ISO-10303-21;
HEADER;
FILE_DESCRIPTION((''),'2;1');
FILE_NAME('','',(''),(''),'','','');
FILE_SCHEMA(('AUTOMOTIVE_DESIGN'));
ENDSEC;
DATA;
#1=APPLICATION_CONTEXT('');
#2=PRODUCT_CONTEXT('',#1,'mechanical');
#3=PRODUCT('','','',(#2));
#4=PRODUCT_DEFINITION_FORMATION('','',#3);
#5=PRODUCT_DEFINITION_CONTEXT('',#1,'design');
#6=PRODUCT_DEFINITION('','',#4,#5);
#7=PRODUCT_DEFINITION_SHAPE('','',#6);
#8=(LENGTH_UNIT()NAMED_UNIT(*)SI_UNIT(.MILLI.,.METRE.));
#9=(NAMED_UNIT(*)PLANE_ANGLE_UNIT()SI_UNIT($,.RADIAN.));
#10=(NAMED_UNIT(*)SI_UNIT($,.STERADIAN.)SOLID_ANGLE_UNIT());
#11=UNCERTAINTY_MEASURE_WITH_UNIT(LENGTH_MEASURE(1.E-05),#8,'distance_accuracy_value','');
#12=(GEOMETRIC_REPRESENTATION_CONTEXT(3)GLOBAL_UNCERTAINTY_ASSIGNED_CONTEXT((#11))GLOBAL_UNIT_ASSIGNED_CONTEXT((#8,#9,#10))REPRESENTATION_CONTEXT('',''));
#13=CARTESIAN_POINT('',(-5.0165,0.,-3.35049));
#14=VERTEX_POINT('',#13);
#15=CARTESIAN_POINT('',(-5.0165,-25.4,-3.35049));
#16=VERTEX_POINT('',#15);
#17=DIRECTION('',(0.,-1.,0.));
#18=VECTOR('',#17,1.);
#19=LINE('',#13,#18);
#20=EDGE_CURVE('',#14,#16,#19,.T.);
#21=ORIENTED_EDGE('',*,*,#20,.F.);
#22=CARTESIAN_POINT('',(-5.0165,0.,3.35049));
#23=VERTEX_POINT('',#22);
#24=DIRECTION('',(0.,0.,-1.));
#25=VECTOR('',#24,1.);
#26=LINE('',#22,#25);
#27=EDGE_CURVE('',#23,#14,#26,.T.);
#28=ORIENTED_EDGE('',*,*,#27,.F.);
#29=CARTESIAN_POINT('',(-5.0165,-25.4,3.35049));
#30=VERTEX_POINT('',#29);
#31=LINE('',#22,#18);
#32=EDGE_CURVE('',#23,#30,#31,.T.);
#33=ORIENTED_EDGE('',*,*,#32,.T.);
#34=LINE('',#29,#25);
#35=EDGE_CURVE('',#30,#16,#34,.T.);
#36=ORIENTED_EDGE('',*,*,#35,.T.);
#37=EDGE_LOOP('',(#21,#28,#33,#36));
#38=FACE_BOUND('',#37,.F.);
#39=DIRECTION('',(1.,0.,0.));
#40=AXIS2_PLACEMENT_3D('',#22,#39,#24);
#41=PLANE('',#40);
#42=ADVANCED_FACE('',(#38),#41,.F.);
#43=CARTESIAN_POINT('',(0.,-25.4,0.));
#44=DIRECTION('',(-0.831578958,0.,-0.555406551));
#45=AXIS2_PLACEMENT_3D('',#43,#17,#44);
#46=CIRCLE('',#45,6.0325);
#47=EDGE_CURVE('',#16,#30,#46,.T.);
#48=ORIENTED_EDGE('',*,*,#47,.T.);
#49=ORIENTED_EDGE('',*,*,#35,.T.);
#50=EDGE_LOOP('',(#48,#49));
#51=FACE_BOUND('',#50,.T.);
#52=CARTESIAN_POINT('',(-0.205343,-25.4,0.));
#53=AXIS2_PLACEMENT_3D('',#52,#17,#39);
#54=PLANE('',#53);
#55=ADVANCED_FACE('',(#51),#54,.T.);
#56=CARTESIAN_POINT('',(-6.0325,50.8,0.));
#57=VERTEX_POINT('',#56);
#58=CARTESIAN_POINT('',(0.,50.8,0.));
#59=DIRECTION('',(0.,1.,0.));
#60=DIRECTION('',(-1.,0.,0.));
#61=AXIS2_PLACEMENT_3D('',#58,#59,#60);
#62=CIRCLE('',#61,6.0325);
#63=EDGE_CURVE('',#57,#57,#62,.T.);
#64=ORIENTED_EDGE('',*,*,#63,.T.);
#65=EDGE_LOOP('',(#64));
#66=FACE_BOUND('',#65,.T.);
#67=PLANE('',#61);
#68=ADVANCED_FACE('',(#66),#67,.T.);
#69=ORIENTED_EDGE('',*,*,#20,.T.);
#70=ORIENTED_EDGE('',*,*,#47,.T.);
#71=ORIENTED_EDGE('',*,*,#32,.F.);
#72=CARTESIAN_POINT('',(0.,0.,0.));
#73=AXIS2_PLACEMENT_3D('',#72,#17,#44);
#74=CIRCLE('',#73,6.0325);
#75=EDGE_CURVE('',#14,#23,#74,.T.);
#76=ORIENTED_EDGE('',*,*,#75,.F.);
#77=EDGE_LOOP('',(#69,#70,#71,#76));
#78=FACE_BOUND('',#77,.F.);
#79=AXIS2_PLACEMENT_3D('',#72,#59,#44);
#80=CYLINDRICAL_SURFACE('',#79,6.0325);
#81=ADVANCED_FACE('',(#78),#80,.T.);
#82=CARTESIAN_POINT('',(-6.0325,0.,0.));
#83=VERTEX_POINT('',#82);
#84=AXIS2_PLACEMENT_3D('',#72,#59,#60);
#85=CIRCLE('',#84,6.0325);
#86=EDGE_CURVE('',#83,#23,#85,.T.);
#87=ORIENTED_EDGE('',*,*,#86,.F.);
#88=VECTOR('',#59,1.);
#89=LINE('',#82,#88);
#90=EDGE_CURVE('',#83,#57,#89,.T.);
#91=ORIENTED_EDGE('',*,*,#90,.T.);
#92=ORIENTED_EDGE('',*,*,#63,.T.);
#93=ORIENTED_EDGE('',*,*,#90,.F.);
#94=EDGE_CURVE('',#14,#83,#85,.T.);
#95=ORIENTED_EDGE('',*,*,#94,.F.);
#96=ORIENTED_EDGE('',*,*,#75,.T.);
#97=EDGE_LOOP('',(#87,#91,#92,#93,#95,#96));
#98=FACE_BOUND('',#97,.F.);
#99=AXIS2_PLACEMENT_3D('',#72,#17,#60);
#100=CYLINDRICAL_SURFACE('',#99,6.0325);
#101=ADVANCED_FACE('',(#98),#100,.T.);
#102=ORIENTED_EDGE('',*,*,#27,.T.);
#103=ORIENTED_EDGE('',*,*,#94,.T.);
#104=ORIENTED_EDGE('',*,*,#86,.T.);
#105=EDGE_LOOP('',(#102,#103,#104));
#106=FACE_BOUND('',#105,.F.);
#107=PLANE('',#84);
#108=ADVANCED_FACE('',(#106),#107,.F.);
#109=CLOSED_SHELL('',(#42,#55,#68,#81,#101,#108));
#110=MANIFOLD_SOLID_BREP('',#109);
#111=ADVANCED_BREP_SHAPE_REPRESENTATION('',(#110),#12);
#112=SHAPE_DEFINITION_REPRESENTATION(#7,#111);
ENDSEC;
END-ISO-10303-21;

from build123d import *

# Parameters (mm, degrees)
F1_DEPTH = 25.4
F2_R     = 6.0325
F3_DEPTH = 50.8


with BuildPart() as f1:
    # F0 (on Front) → F1 (new body)
    with BuildSketch(Plane.XZ):
        with BuildLine():
            Line((-5.0165, 3.35049), (-5.0165, -3.35049))
            ThreePointArc((-5.0165, -3.35049), (6.0325, 0), (-5.0165, 3.35049))
        make_face()
    extrude(amount=F1_DEPTH)

    # F2 (on face) → F3 (join)
    with BuildSketch(Plane(origin=(0, 0, 0), x_dir=(-1, 0, 0), z_dir=(0, 1, 0))):
        Circle(F2_R)
    extrude(amount=F3_DEPTH)


solid = f1.part
